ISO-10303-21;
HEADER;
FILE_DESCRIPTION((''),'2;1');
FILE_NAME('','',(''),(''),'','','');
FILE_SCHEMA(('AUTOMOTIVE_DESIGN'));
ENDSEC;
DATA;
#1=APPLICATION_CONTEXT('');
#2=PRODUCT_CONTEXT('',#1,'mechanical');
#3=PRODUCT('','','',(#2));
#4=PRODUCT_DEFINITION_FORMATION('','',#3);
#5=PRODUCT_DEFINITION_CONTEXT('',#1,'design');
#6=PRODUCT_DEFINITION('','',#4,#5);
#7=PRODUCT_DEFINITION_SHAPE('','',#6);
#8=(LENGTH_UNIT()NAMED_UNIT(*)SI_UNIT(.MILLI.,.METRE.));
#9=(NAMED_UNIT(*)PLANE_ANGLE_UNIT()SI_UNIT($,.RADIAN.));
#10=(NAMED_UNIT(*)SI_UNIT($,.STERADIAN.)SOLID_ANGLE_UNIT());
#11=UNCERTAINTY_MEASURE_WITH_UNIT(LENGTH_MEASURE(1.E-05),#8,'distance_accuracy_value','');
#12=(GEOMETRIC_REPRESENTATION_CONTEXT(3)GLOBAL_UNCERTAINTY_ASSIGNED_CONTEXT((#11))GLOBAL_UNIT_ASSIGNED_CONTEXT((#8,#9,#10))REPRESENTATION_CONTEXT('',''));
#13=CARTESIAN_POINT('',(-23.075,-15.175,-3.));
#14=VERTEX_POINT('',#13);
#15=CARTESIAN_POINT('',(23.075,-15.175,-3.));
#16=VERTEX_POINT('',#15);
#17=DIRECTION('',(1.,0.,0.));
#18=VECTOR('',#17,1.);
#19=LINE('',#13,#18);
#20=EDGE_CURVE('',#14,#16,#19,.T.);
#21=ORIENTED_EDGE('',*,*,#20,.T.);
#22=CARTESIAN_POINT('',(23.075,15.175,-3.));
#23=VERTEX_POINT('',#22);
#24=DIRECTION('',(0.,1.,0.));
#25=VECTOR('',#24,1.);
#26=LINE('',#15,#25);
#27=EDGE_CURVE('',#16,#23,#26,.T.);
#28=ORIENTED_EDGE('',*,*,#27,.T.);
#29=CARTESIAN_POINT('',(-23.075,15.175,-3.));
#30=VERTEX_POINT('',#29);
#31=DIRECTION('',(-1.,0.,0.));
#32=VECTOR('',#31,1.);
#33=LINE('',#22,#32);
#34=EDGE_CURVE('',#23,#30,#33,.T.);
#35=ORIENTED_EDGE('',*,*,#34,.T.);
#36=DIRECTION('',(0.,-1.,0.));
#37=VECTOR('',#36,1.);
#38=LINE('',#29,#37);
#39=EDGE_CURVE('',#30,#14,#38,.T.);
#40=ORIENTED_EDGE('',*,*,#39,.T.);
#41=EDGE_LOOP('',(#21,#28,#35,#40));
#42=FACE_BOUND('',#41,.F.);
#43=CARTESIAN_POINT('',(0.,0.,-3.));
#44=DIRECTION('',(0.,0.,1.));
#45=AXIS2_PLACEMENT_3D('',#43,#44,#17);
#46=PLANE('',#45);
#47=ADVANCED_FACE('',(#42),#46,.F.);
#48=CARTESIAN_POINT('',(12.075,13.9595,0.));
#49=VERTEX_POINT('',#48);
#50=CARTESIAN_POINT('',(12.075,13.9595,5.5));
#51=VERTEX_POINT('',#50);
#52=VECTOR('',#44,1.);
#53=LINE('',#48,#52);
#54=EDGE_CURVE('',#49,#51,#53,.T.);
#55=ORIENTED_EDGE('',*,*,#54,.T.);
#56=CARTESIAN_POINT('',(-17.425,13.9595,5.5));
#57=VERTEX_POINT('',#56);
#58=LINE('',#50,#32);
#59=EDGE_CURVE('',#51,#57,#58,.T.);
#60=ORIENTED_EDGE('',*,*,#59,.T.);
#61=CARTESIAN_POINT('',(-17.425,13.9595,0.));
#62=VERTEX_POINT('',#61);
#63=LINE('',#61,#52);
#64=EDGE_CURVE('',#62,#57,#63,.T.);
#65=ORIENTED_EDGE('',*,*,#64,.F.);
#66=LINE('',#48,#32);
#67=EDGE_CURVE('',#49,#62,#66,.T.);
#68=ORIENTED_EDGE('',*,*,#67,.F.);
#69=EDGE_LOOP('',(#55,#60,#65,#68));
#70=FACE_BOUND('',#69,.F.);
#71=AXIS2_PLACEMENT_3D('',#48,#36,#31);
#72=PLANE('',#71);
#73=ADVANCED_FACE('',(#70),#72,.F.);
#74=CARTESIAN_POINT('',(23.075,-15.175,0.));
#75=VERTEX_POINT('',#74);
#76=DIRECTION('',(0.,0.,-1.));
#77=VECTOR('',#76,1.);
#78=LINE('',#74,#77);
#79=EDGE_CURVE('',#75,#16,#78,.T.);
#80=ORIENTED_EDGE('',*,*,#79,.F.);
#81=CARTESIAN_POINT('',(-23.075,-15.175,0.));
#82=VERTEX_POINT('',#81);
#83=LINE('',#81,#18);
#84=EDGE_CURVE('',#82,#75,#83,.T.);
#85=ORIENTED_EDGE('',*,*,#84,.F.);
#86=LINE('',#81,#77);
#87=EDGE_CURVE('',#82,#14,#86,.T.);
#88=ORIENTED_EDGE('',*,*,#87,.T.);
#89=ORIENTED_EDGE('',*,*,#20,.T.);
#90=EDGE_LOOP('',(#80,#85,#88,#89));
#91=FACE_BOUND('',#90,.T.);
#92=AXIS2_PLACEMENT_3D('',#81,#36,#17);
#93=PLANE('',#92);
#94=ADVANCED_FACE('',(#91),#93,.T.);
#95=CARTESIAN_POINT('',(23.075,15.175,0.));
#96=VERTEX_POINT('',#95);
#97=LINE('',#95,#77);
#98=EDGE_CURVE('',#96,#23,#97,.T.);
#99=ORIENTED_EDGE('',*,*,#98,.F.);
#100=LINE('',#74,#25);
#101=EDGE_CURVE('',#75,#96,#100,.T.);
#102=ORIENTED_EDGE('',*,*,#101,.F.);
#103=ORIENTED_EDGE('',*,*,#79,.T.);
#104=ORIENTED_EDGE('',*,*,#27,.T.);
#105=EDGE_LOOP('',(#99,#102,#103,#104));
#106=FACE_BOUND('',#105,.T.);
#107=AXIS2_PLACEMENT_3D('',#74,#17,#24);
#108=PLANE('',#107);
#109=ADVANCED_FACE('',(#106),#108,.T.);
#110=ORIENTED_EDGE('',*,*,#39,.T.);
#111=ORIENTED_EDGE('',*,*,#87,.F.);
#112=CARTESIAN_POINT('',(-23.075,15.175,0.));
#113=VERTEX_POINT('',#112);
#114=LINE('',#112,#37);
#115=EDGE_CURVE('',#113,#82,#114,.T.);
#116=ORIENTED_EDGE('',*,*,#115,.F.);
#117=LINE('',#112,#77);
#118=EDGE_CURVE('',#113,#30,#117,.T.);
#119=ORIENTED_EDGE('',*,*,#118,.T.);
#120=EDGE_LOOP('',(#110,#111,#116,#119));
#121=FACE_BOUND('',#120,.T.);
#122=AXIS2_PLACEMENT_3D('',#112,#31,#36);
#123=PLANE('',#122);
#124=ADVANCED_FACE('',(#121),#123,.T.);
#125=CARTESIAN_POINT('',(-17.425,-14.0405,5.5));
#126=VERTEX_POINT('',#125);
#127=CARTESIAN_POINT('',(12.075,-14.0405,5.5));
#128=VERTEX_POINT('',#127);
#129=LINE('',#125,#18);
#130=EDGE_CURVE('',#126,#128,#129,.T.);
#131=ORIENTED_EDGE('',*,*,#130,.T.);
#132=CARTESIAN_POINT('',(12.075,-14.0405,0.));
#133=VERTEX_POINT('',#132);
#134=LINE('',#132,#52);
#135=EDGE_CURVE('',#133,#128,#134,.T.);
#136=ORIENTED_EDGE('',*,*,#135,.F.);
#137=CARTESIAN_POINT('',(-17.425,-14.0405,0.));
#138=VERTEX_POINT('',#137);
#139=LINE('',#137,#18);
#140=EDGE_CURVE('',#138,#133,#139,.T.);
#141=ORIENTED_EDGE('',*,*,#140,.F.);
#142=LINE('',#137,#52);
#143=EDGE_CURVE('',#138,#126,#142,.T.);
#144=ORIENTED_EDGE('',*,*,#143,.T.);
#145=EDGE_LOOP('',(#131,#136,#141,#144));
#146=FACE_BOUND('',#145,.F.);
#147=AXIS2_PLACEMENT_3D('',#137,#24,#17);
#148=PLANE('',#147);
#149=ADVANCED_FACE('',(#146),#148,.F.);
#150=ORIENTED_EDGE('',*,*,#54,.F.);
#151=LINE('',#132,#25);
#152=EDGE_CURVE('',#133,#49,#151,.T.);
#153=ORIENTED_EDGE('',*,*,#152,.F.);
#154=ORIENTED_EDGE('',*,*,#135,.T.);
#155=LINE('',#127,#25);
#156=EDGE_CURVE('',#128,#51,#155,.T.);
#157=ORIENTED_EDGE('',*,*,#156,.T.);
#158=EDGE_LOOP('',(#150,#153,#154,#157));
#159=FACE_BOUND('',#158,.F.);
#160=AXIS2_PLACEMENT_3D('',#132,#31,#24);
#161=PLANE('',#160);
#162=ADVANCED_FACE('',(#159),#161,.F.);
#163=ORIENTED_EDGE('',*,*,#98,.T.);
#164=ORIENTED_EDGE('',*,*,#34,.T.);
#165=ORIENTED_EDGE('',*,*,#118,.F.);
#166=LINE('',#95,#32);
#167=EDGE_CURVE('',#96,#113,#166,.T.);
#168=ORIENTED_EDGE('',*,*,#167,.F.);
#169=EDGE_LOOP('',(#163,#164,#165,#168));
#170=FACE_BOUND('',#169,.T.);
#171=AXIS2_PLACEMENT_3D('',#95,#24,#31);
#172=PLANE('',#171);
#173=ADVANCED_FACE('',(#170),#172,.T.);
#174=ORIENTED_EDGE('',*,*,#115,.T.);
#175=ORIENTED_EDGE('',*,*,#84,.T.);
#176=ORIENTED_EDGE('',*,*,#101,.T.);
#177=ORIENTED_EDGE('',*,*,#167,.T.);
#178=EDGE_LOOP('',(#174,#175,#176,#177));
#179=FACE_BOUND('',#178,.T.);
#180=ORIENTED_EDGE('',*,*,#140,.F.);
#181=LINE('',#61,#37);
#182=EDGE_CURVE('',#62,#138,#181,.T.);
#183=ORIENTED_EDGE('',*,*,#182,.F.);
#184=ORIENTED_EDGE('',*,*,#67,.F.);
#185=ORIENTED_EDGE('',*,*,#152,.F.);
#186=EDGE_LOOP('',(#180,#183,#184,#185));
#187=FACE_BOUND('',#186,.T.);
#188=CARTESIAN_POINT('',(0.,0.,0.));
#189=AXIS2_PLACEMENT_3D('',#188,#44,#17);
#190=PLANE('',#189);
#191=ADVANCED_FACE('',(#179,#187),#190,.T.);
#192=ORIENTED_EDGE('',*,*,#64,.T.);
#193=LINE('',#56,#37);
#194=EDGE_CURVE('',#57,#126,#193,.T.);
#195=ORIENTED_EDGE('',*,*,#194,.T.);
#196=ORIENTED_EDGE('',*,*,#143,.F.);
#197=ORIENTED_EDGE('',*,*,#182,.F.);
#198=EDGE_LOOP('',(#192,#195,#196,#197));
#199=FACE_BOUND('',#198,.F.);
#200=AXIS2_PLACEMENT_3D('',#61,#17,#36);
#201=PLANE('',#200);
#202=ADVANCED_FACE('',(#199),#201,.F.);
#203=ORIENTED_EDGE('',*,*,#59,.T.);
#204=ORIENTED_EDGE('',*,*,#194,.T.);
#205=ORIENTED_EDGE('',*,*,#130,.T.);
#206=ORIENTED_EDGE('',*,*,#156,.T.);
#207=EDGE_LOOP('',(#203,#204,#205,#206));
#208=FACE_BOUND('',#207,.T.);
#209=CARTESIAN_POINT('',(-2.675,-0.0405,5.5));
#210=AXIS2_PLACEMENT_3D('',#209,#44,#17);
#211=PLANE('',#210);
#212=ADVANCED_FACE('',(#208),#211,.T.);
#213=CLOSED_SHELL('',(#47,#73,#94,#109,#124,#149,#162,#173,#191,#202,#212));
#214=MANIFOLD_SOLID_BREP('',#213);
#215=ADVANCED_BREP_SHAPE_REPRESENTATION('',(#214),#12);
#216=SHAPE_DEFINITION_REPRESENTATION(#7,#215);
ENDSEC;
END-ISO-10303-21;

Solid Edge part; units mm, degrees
sketch "Sketch1" plane through (0, 0, 0) normal (0, 0, 1) x (1, 0, 0)
  line L0 (23.075, -15.175) -> (23.075, 15.175)
  line L1 (23.075, 15.175) -> (-23.075, 15.175)
  line L2 (-23.075, 15.175) -> (-23.075, -15.175)
  line L3 (-23.075, -15.175) -> (23.075, -15.175)
extrude "Protrusion1" add sketch "Sketch1" against normal blind 3
sketch "Sketch2" plane through (0, 0, 0) normal (0, 0, 1) x (1, 0, 0)
  line L0 (-17.425, 13.9595) -> (-17.425, -14.0405)
  line L1 (-17.425, -14.0405) -> (12.075, -14.0405)
  line L2 (12.075, -14.0405) -> (12.075, 13.9595)
  line L3 (12.075, 13.9595) -> (-17.425, 13.9595)
extrude "ExtrudedProtrusion_2" add sketch "Sketch2" along normal blind 5.5
properties material "Glass, general industrial"
